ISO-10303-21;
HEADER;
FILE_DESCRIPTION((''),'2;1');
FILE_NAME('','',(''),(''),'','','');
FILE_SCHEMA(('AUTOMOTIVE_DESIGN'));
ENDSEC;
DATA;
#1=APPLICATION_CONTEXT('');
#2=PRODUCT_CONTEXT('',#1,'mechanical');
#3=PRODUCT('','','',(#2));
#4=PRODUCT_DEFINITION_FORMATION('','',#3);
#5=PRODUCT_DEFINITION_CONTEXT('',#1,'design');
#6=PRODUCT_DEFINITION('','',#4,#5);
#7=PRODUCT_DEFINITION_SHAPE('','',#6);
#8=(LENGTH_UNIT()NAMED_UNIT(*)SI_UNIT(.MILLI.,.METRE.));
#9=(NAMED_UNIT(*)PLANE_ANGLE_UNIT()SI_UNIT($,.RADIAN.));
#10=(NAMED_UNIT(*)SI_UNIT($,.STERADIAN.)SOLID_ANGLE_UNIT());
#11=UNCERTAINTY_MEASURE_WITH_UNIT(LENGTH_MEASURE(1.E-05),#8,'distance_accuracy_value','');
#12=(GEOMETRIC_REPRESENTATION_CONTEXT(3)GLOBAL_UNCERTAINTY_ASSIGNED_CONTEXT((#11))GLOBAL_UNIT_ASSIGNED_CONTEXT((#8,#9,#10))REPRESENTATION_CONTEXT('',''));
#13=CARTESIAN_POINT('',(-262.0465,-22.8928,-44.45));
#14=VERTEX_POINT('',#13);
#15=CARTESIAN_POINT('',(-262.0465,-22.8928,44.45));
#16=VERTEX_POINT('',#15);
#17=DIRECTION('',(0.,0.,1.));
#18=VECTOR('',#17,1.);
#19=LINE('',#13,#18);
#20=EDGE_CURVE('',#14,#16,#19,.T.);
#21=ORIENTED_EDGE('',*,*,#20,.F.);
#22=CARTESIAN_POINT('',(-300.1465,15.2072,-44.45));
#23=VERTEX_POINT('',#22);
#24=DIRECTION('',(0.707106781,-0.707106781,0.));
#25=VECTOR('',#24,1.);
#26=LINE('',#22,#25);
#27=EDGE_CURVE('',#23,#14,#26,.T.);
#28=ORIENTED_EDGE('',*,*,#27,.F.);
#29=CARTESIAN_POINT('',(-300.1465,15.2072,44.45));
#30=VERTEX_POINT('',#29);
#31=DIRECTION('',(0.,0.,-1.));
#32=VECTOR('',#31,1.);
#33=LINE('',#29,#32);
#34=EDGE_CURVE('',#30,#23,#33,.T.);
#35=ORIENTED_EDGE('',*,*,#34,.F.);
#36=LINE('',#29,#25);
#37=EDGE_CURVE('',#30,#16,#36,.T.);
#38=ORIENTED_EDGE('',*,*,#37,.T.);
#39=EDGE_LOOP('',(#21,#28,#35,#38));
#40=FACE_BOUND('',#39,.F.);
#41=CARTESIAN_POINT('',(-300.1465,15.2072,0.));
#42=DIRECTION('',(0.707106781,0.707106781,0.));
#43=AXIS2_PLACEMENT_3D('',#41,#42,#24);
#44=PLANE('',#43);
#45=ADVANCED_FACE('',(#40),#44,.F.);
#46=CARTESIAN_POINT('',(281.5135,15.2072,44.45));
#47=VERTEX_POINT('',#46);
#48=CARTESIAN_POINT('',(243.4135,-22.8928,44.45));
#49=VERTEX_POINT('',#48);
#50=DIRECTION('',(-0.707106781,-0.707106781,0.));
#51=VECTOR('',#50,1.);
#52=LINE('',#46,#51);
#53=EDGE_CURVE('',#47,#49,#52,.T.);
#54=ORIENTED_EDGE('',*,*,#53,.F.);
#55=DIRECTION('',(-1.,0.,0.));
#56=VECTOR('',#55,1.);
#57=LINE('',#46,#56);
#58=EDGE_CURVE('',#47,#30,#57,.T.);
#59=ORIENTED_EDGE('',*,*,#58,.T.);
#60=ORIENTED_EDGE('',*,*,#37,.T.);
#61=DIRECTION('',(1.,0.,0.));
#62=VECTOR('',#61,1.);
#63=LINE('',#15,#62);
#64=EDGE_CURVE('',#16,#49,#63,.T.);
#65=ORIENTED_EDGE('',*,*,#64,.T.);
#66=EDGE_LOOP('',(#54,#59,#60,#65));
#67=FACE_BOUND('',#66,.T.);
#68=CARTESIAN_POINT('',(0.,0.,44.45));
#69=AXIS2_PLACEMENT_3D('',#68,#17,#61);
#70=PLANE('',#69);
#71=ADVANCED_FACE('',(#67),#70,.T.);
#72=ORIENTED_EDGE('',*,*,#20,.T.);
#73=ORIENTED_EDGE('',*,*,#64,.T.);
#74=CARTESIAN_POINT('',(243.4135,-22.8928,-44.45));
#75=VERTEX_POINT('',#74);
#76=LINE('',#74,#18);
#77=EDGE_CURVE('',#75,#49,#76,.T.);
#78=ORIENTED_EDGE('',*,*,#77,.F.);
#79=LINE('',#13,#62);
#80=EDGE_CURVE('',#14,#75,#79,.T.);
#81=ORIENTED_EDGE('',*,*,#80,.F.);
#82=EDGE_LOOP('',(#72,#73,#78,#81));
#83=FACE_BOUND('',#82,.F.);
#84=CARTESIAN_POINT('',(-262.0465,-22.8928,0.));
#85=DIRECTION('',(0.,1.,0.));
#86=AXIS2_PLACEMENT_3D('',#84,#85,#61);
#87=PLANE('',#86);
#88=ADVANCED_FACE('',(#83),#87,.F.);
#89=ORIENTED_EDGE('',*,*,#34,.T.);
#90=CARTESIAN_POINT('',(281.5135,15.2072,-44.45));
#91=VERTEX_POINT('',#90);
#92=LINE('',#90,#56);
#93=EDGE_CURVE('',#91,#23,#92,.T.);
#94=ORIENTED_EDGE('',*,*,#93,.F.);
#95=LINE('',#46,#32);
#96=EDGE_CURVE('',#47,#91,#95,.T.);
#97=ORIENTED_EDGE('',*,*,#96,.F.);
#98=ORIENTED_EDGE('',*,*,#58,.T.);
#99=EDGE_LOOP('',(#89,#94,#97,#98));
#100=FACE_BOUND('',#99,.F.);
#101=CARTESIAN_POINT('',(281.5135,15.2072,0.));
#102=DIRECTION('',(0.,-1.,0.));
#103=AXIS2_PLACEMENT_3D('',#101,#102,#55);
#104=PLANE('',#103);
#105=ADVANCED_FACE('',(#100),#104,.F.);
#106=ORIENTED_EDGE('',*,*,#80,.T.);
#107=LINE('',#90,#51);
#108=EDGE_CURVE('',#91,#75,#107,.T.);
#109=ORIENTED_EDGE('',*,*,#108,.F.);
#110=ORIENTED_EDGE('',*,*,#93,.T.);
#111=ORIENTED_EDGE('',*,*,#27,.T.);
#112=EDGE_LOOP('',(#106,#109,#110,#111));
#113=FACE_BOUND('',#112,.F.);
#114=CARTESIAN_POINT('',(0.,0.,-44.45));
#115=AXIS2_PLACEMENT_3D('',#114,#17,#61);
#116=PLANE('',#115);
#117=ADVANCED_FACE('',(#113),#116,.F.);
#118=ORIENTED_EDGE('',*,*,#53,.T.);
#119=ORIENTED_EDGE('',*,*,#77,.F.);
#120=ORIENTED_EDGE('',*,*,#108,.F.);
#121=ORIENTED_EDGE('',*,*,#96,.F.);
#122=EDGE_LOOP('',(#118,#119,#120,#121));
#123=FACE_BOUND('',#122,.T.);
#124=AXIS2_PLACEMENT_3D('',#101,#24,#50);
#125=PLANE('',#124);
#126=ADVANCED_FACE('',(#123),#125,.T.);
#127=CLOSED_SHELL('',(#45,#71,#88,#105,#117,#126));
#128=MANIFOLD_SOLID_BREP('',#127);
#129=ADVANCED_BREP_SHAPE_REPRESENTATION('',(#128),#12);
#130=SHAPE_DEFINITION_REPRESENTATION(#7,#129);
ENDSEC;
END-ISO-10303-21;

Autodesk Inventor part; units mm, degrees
ref_plane "YZ Plane" through (0, 0, 0) normal (1, 0, 0) x (0, 1, 0)
ref_plane "XZ Plane" through (0, 0, 0) normal (0, 1, 0) x (-1, 0, 0)
ref_plane "XY Plane" through (0, 0, 0) normal (0, 0, 1) x (1, 0, 0)
sketch "Sketch2" plane through (0, 0, 0) normal (0, 0, 1) x (1, 0, 0)
  line L0 (-262.0465, -22.8928) -> (243.4135, -22.8928)
  line L1 (281.5135, 15.2072) -> (-300.1465, 15.2072)
  line L2 (-299.4939, -16.1784) -> (281.5135, 15.2072) construction
  line L3 (280.9626, -14.2352) -> (-300.1465, 15.2072) construction
  line L4 (-300.1465, 15.2072) -> (-262.0465, -22.8928)
  line L5 (-300.1465, 15.2072) -> (-246.2649, 15.2072) construction
  line L6 (281.5135, 15.2072) -> (243.4135, -22.8928)
  line L7 (281.5135, 15.2072) -> (335.3951, 15.2072) construction
  point P0 (0, 0)
  dimension "d10" = 45
  dimension "d11" = 135
  dimension "d14" = 581.66
  dimension "d15" = 38.1
extrude "Extrusion2" add sketch "Sketch2" along normal mid plane 88.9
properties part number "22_9 Inch 45 Diagonal Piece" material "Wood (Birch)"
